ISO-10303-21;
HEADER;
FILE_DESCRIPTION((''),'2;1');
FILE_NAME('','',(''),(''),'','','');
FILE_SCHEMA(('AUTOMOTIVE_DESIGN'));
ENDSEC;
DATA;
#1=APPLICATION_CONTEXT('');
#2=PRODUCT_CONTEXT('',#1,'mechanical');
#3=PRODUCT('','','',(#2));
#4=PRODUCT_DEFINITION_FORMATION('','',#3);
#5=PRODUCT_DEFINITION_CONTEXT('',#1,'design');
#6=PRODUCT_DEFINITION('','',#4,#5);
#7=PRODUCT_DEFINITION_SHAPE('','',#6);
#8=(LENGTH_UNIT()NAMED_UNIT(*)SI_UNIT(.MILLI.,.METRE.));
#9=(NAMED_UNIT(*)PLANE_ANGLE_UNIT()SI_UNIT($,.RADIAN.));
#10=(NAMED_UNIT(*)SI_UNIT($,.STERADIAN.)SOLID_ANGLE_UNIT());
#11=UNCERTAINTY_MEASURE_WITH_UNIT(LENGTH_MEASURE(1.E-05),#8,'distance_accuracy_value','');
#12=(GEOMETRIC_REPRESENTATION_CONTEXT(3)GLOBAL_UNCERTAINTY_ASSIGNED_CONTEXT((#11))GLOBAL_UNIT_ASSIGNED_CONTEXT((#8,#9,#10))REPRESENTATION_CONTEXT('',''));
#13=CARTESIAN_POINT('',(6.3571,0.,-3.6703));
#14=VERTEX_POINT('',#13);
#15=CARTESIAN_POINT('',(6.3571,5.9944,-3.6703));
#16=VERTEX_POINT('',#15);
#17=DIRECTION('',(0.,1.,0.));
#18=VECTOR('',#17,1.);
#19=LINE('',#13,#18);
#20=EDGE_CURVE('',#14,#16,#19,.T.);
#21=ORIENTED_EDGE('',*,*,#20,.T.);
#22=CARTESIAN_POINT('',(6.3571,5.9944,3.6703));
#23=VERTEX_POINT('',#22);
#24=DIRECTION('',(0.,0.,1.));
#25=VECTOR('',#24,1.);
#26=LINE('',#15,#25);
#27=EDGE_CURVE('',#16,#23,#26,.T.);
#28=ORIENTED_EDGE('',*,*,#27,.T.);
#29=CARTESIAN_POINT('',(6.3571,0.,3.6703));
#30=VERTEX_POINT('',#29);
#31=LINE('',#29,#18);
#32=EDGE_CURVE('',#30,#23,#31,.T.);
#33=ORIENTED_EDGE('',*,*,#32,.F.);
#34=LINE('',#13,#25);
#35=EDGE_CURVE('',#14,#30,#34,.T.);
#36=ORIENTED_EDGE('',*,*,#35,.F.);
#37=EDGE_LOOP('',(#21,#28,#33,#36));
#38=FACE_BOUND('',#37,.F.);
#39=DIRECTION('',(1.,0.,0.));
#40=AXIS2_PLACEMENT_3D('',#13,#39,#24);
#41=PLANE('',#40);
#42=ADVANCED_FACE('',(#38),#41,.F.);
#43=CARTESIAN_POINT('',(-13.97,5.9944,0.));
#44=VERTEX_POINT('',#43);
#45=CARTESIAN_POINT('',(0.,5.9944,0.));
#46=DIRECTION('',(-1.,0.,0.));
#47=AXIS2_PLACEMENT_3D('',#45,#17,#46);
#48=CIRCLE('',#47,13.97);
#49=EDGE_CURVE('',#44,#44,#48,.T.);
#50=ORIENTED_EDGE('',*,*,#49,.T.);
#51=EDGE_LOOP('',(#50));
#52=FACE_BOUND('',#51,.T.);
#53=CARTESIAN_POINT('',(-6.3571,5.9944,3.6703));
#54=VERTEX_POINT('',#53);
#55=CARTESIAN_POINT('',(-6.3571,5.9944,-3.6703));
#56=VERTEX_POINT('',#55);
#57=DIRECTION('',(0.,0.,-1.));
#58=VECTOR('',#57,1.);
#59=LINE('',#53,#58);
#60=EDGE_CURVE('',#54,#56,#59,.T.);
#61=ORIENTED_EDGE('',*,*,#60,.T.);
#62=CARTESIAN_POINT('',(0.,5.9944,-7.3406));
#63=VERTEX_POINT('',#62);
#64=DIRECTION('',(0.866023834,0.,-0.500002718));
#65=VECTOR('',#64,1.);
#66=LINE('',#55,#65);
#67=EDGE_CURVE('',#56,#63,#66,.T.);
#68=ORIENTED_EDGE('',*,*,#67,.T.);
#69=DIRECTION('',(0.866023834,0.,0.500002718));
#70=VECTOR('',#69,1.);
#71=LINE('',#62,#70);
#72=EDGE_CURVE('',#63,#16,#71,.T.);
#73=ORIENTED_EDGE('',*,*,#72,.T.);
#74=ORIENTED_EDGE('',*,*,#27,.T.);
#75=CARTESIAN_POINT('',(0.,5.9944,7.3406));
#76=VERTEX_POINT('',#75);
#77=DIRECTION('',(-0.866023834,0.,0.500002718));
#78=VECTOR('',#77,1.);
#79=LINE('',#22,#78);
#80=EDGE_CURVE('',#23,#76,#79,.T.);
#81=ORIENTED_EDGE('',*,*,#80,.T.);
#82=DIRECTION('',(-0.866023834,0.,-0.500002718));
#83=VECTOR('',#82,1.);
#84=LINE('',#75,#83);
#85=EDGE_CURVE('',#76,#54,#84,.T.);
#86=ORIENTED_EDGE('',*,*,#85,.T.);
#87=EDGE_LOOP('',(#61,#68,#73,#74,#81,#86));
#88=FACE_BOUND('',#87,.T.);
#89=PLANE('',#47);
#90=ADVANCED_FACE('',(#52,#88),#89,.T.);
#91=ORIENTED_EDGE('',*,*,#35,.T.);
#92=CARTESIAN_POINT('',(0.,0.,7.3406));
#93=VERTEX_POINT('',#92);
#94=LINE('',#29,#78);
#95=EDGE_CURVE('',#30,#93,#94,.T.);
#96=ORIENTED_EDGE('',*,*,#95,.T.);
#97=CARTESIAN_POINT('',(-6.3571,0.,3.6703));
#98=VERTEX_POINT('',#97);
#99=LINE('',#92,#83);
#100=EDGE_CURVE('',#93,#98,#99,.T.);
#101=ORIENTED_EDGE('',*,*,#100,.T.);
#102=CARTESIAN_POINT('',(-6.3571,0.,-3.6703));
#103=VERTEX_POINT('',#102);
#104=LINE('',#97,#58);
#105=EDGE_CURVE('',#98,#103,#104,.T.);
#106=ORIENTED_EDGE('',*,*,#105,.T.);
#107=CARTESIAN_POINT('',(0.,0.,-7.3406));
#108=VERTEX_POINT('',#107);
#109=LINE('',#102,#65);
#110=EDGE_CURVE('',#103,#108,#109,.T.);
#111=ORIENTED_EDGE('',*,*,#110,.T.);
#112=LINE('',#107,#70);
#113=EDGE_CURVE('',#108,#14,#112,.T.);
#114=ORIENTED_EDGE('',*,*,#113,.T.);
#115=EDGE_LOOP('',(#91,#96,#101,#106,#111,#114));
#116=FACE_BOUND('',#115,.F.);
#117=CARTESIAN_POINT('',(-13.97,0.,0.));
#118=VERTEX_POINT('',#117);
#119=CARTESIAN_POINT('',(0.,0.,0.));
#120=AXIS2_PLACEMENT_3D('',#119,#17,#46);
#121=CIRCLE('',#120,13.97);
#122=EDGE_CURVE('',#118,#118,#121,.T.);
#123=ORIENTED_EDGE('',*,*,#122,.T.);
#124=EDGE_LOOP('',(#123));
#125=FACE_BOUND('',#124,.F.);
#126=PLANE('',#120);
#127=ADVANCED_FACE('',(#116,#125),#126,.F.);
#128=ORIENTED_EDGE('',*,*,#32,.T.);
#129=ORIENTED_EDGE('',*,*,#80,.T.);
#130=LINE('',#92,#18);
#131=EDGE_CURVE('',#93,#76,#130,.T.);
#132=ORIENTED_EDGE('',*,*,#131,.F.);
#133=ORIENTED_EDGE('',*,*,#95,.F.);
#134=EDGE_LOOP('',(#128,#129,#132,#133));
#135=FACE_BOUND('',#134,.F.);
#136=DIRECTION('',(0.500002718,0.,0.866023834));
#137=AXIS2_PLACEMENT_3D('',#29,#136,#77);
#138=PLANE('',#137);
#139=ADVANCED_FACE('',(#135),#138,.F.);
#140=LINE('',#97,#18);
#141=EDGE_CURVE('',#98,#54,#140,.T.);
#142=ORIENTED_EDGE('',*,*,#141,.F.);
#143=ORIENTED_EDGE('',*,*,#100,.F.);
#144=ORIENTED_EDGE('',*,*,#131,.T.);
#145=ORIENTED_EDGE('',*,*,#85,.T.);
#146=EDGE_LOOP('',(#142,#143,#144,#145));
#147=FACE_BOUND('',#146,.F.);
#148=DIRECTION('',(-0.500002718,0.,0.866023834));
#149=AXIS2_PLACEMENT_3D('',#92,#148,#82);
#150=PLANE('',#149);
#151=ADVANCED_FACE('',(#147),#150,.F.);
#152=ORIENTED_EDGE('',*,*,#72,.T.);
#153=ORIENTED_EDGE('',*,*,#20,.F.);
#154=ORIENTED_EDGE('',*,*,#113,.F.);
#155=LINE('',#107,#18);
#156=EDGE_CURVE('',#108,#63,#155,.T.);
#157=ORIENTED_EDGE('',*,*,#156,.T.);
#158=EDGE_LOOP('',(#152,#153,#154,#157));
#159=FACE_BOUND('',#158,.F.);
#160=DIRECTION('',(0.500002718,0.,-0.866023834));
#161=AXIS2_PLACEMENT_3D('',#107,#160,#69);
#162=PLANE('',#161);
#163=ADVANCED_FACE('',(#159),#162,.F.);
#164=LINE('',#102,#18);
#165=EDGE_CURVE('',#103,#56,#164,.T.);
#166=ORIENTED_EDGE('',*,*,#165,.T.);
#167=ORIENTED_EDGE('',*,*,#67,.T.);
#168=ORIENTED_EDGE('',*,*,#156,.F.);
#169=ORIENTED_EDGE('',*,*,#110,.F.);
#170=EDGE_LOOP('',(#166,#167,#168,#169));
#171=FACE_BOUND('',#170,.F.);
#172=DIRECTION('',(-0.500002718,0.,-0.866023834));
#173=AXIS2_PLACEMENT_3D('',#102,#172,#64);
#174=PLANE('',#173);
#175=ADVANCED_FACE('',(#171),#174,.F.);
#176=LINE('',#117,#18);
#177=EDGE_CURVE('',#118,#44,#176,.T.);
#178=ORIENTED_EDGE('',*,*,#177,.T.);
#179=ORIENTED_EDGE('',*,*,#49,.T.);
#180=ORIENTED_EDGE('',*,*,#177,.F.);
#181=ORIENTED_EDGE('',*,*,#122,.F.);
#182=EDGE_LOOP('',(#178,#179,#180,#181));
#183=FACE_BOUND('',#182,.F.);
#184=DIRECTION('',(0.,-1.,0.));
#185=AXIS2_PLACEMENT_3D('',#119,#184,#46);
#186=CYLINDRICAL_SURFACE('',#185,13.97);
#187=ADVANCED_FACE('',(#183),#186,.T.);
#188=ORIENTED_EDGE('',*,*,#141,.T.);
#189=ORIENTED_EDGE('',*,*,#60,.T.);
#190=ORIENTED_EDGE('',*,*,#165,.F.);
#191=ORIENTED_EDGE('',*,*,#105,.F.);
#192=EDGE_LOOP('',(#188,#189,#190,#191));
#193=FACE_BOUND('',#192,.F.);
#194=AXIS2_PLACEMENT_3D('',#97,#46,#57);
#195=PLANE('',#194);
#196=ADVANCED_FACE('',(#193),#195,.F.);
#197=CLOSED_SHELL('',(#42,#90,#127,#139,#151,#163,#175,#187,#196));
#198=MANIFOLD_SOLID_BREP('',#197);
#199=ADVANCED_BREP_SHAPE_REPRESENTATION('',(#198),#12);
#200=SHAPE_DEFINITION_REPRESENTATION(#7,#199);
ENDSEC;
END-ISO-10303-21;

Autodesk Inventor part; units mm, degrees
ref_plane "YZ Plane" through (0, 0, 0) normal (1, 0, 0) x (0, 1, 0)
ref_plane "XZ Plane" through (0, 0, 0) normal (0, 1, 0) x (-1, 0, 0)
ref_plane "XY Plane" through (0, 0, 0) normal (0, 0, 1) x (1, 0, 0)
sketch "Sketch1" plane through (0, 0, 0) normal (0, 1, 0) x (-1, 0, 0)
  line L0 (0, -7.3406) -> (-6.3571, -3.6703)
  line L1 (-6.3571, -3.6703) -> (-6.3571, 3.6703)
  line L2 (-6.3571, 3.6703) -> (0, 7.3406)
  line L3 (0, 7.3406) -> (6.3571, 3.6703)
  line L4 (6.3571, 3.6703) -> (6.3571, -3.6703)
  line L5 (6.3571, -3.6703) -> (0, -7.3406)
  circle A0 centre (0, 0) radius 13.97
  dimension "d0" = 7.3406
  dimension "d1" = 27.94
extrude "Extrusion1" add sketch "Sketch1" along normal blind 5.9944
properties part number "Drive spacer"
